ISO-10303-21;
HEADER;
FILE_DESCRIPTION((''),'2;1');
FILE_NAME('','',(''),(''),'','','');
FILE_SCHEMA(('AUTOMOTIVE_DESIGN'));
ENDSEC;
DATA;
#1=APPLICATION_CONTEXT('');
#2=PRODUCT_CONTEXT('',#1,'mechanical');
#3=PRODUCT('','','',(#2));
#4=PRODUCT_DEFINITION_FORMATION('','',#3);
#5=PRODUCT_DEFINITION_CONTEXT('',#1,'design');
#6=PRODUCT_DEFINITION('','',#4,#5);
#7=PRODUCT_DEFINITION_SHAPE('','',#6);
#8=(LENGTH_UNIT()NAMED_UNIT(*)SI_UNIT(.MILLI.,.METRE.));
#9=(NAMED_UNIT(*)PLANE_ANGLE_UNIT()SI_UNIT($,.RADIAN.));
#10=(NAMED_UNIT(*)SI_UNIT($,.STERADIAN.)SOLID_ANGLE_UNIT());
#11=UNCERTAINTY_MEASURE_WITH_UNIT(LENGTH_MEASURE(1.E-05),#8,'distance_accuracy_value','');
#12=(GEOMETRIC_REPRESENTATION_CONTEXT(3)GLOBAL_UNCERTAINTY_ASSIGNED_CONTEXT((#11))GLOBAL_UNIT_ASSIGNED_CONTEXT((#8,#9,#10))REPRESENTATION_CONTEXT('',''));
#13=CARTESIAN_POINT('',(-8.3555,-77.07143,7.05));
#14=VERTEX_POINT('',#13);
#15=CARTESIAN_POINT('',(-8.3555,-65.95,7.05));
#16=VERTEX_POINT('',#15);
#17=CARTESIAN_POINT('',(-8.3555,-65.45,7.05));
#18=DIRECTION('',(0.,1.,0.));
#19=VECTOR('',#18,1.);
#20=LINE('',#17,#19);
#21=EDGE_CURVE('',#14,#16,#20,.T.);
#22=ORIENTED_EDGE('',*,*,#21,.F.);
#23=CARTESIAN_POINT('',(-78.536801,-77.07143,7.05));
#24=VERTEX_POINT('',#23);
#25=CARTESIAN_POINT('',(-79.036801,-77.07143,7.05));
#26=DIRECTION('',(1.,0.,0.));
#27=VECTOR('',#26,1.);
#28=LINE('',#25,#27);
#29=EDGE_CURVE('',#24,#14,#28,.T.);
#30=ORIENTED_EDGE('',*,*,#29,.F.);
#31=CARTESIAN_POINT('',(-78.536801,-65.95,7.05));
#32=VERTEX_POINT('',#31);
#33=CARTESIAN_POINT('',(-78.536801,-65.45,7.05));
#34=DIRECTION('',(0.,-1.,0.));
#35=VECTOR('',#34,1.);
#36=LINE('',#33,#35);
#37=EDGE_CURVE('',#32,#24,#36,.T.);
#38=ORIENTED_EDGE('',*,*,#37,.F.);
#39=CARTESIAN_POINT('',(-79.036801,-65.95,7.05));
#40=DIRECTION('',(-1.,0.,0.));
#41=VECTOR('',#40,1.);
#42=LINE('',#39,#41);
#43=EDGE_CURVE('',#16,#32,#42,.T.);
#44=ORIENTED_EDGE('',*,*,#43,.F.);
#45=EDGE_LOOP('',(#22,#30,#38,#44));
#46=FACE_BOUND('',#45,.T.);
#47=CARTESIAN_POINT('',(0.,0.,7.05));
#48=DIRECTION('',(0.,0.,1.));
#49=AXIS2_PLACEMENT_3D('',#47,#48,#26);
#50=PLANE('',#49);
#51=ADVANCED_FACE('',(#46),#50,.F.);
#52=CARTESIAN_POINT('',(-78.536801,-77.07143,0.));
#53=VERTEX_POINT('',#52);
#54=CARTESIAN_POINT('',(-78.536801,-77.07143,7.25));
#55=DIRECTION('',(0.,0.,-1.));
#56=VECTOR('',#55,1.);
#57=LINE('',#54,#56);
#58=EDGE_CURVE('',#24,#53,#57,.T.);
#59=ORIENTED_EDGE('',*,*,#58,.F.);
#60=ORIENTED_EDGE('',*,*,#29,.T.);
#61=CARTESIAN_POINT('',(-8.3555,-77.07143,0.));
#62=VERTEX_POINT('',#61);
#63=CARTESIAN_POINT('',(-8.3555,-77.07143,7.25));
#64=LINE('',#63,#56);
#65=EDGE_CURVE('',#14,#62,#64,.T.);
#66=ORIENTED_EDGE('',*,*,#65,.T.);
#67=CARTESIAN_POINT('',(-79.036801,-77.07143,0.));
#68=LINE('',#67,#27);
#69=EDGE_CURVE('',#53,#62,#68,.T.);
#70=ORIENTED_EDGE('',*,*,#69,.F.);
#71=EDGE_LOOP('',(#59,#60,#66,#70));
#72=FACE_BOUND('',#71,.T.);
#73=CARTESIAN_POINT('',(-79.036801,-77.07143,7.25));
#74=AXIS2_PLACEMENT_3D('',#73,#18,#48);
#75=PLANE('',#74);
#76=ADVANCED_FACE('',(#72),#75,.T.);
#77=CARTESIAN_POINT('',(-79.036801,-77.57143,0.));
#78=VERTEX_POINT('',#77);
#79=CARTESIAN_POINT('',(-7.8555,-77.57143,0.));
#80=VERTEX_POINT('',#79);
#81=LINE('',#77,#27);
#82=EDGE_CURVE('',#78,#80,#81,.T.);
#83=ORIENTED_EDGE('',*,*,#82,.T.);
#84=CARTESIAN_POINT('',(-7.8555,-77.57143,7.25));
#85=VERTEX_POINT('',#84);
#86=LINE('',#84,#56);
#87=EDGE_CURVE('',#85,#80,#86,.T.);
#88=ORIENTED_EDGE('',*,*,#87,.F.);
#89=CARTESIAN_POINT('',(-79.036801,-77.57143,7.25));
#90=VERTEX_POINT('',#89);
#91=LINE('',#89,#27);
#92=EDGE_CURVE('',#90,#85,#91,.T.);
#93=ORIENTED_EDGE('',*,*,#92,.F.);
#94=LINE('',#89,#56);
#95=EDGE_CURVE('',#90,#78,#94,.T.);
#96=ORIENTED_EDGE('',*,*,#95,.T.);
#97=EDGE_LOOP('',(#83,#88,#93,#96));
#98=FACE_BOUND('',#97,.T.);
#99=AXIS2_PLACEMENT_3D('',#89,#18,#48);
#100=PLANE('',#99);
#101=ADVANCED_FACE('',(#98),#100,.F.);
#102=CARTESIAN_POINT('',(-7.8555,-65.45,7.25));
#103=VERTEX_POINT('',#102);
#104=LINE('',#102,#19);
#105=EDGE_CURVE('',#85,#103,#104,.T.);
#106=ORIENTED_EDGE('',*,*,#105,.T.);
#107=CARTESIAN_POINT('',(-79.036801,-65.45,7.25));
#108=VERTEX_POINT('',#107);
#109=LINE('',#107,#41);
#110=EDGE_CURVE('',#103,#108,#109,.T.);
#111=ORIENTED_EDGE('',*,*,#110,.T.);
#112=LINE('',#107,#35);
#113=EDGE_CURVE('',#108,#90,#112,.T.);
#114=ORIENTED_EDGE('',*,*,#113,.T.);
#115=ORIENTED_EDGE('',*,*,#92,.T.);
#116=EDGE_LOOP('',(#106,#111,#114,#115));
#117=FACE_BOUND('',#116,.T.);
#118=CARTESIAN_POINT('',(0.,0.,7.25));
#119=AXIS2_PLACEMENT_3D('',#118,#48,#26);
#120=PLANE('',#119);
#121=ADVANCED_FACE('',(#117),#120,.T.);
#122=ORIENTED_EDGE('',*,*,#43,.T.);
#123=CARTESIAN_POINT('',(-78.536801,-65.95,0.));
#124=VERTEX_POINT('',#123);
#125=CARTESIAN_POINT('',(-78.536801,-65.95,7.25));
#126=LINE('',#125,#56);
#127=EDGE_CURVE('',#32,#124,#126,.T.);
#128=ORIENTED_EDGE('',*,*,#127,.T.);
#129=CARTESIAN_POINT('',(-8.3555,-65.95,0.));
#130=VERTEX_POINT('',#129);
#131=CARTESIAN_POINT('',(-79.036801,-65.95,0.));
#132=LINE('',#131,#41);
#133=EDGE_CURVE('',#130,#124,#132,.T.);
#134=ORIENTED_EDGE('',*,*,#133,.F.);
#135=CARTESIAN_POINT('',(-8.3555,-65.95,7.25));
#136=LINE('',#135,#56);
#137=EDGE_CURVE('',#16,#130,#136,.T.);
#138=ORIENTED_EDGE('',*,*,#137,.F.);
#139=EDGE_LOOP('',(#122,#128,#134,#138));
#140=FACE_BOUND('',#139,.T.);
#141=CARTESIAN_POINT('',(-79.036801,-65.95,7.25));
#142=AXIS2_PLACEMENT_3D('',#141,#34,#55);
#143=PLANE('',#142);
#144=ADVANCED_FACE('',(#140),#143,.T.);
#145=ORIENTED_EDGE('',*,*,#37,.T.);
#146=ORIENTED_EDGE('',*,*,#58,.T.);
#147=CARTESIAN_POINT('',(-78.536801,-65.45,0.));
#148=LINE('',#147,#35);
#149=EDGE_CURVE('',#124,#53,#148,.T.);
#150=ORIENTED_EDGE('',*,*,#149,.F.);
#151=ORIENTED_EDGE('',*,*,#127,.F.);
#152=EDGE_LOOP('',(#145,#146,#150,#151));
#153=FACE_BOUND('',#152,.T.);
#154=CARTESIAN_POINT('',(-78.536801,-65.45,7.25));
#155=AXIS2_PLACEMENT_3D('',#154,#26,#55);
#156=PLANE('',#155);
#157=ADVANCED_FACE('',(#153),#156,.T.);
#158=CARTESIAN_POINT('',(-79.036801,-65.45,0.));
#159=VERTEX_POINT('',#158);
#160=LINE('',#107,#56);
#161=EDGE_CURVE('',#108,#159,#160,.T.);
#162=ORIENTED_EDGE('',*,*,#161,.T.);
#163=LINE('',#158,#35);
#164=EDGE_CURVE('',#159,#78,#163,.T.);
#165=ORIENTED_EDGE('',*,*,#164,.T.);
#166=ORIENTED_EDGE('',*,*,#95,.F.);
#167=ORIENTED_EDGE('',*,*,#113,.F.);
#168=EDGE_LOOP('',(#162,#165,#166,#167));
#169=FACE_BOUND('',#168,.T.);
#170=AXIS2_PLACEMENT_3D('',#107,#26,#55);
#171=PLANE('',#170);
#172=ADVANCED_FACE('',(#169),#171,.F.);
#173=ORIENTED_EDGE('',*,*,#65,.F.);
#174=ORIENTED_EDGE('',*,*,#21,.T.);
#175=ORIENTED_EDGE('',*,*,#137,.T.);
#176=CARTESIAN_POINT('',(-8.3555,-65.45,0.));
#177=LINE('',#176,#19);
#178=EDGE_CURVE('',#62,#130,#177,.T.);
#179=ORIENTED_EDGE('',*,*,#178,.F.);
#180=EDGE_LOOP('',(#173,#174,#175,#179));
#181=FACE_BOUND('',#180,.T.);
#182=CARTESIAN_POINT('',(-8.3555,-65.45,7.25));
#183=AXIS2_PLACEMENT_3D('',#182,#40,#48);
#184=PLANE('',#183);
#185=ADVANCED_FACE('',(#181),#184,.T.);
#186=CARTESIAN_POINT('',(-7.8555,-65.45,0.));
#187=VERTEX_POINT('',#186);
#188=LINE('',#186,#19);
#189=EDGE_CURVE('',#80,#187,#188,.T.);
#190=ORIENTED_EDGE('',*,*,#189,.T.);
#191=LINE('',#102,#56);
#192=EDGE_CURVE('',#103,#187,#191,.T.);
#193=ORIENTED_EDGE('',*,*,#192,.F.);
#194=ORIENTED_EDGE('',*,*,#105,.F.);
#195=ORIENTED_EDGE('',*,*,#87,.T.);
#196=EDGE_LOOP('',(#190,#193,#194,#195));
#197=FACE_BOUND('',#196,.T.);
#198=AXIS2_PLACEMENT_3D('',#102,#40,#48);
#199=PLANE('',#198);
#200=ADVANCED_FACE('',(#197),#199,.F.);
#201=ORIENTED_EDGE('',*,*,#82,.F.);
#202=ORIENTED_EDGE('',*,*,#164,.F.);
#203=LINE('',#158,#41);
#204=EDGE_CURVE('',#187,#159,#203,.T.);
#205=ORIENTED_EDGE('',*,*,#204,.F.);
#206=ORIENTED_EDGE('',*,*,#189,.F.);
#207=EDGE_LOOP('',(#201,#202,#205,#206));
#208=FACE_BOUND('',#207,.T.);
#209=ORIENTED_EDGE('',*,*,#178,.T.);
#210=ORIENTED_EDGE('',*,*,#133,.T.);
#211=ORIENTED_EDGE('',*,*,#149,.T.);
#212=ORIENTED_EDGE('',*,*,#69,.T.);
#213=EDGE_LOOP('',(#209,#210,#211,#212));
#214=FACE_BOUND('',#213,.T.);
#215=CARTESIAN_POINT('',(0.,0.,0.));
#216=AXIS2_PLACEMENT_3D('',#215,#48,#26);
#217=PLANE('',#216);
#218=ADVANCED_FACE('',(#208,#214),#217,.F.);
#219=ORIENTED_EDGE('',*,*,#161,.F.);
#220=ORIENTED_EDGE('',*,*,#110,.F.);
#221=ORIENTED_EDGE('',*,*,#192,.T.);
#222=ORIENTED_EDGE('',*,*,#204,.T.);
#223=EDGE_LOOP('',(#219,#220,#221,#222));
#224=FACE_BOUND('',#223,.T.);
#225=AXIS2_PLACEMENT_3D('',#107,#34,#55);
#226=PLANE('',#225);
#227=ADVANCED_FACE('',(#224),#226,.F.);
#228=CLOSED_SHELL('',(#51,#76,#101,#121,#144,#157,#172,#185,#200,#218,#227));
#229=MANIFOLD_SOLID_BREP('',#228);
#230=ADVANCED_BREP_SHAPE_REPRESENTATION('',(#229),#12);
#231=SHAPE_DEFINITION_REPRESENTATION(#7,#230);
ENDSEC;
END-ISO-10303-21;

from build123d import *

# Parameters (mm, degrees)
SKETCH1_W                 = 71.18130149
SKETCH1_H                 = 12.121430126
BOSS_EXTRUDE1_DEPTH       = 7.25
SHELL1_T                  = -0.5
SHELL1_THICKNESS_2_FACE_W = 70.18130149
SHELL1_THICKNESS_2_FACE_H = 11.121430126
SHELL1_THICKNESS_2_DEPTH  = 0.3


with BuildPart() as part:
    # Sketch1 → Boss-Extrude1 (new body)
    with BuildSketch(Plane.XY):
        with Locations((-43.446150745, -71.510715063)):
            Rectangle(SKETCH1_W, SKETCH1_H)
    extrude(amount=BOSS_EXTRUDE1_DEPTH)

    # Shell1
    shell1_openings = [part.faces().sort_by_distance(p)[0] for p in [
        (-43.446150745, -71.510715063, 0),
    ]]
    offset(amount=SHELL1_T, openings=shell1_openings, kind=Kind.INTERSECTION)

    # Shell1 thickness 2 face (on inner face of the shell) → Shell1 thickness 2 (cut)
    with BuildSketch(Plane(origin=(-43.446150745, -71.510715063, 6.75), x_dir=(1, 0, 0), z_dir=(0, 0, 1))):
        Rectangle(SHELL1_THICKNESS_2_FACE_W, SHELL1_THICKNESS_2_FACE_H)
    extrude(amount=SHELL1_THICKNESS_2_DEPTH, mode=Mode.SUBTRACT)


solid = part.part
